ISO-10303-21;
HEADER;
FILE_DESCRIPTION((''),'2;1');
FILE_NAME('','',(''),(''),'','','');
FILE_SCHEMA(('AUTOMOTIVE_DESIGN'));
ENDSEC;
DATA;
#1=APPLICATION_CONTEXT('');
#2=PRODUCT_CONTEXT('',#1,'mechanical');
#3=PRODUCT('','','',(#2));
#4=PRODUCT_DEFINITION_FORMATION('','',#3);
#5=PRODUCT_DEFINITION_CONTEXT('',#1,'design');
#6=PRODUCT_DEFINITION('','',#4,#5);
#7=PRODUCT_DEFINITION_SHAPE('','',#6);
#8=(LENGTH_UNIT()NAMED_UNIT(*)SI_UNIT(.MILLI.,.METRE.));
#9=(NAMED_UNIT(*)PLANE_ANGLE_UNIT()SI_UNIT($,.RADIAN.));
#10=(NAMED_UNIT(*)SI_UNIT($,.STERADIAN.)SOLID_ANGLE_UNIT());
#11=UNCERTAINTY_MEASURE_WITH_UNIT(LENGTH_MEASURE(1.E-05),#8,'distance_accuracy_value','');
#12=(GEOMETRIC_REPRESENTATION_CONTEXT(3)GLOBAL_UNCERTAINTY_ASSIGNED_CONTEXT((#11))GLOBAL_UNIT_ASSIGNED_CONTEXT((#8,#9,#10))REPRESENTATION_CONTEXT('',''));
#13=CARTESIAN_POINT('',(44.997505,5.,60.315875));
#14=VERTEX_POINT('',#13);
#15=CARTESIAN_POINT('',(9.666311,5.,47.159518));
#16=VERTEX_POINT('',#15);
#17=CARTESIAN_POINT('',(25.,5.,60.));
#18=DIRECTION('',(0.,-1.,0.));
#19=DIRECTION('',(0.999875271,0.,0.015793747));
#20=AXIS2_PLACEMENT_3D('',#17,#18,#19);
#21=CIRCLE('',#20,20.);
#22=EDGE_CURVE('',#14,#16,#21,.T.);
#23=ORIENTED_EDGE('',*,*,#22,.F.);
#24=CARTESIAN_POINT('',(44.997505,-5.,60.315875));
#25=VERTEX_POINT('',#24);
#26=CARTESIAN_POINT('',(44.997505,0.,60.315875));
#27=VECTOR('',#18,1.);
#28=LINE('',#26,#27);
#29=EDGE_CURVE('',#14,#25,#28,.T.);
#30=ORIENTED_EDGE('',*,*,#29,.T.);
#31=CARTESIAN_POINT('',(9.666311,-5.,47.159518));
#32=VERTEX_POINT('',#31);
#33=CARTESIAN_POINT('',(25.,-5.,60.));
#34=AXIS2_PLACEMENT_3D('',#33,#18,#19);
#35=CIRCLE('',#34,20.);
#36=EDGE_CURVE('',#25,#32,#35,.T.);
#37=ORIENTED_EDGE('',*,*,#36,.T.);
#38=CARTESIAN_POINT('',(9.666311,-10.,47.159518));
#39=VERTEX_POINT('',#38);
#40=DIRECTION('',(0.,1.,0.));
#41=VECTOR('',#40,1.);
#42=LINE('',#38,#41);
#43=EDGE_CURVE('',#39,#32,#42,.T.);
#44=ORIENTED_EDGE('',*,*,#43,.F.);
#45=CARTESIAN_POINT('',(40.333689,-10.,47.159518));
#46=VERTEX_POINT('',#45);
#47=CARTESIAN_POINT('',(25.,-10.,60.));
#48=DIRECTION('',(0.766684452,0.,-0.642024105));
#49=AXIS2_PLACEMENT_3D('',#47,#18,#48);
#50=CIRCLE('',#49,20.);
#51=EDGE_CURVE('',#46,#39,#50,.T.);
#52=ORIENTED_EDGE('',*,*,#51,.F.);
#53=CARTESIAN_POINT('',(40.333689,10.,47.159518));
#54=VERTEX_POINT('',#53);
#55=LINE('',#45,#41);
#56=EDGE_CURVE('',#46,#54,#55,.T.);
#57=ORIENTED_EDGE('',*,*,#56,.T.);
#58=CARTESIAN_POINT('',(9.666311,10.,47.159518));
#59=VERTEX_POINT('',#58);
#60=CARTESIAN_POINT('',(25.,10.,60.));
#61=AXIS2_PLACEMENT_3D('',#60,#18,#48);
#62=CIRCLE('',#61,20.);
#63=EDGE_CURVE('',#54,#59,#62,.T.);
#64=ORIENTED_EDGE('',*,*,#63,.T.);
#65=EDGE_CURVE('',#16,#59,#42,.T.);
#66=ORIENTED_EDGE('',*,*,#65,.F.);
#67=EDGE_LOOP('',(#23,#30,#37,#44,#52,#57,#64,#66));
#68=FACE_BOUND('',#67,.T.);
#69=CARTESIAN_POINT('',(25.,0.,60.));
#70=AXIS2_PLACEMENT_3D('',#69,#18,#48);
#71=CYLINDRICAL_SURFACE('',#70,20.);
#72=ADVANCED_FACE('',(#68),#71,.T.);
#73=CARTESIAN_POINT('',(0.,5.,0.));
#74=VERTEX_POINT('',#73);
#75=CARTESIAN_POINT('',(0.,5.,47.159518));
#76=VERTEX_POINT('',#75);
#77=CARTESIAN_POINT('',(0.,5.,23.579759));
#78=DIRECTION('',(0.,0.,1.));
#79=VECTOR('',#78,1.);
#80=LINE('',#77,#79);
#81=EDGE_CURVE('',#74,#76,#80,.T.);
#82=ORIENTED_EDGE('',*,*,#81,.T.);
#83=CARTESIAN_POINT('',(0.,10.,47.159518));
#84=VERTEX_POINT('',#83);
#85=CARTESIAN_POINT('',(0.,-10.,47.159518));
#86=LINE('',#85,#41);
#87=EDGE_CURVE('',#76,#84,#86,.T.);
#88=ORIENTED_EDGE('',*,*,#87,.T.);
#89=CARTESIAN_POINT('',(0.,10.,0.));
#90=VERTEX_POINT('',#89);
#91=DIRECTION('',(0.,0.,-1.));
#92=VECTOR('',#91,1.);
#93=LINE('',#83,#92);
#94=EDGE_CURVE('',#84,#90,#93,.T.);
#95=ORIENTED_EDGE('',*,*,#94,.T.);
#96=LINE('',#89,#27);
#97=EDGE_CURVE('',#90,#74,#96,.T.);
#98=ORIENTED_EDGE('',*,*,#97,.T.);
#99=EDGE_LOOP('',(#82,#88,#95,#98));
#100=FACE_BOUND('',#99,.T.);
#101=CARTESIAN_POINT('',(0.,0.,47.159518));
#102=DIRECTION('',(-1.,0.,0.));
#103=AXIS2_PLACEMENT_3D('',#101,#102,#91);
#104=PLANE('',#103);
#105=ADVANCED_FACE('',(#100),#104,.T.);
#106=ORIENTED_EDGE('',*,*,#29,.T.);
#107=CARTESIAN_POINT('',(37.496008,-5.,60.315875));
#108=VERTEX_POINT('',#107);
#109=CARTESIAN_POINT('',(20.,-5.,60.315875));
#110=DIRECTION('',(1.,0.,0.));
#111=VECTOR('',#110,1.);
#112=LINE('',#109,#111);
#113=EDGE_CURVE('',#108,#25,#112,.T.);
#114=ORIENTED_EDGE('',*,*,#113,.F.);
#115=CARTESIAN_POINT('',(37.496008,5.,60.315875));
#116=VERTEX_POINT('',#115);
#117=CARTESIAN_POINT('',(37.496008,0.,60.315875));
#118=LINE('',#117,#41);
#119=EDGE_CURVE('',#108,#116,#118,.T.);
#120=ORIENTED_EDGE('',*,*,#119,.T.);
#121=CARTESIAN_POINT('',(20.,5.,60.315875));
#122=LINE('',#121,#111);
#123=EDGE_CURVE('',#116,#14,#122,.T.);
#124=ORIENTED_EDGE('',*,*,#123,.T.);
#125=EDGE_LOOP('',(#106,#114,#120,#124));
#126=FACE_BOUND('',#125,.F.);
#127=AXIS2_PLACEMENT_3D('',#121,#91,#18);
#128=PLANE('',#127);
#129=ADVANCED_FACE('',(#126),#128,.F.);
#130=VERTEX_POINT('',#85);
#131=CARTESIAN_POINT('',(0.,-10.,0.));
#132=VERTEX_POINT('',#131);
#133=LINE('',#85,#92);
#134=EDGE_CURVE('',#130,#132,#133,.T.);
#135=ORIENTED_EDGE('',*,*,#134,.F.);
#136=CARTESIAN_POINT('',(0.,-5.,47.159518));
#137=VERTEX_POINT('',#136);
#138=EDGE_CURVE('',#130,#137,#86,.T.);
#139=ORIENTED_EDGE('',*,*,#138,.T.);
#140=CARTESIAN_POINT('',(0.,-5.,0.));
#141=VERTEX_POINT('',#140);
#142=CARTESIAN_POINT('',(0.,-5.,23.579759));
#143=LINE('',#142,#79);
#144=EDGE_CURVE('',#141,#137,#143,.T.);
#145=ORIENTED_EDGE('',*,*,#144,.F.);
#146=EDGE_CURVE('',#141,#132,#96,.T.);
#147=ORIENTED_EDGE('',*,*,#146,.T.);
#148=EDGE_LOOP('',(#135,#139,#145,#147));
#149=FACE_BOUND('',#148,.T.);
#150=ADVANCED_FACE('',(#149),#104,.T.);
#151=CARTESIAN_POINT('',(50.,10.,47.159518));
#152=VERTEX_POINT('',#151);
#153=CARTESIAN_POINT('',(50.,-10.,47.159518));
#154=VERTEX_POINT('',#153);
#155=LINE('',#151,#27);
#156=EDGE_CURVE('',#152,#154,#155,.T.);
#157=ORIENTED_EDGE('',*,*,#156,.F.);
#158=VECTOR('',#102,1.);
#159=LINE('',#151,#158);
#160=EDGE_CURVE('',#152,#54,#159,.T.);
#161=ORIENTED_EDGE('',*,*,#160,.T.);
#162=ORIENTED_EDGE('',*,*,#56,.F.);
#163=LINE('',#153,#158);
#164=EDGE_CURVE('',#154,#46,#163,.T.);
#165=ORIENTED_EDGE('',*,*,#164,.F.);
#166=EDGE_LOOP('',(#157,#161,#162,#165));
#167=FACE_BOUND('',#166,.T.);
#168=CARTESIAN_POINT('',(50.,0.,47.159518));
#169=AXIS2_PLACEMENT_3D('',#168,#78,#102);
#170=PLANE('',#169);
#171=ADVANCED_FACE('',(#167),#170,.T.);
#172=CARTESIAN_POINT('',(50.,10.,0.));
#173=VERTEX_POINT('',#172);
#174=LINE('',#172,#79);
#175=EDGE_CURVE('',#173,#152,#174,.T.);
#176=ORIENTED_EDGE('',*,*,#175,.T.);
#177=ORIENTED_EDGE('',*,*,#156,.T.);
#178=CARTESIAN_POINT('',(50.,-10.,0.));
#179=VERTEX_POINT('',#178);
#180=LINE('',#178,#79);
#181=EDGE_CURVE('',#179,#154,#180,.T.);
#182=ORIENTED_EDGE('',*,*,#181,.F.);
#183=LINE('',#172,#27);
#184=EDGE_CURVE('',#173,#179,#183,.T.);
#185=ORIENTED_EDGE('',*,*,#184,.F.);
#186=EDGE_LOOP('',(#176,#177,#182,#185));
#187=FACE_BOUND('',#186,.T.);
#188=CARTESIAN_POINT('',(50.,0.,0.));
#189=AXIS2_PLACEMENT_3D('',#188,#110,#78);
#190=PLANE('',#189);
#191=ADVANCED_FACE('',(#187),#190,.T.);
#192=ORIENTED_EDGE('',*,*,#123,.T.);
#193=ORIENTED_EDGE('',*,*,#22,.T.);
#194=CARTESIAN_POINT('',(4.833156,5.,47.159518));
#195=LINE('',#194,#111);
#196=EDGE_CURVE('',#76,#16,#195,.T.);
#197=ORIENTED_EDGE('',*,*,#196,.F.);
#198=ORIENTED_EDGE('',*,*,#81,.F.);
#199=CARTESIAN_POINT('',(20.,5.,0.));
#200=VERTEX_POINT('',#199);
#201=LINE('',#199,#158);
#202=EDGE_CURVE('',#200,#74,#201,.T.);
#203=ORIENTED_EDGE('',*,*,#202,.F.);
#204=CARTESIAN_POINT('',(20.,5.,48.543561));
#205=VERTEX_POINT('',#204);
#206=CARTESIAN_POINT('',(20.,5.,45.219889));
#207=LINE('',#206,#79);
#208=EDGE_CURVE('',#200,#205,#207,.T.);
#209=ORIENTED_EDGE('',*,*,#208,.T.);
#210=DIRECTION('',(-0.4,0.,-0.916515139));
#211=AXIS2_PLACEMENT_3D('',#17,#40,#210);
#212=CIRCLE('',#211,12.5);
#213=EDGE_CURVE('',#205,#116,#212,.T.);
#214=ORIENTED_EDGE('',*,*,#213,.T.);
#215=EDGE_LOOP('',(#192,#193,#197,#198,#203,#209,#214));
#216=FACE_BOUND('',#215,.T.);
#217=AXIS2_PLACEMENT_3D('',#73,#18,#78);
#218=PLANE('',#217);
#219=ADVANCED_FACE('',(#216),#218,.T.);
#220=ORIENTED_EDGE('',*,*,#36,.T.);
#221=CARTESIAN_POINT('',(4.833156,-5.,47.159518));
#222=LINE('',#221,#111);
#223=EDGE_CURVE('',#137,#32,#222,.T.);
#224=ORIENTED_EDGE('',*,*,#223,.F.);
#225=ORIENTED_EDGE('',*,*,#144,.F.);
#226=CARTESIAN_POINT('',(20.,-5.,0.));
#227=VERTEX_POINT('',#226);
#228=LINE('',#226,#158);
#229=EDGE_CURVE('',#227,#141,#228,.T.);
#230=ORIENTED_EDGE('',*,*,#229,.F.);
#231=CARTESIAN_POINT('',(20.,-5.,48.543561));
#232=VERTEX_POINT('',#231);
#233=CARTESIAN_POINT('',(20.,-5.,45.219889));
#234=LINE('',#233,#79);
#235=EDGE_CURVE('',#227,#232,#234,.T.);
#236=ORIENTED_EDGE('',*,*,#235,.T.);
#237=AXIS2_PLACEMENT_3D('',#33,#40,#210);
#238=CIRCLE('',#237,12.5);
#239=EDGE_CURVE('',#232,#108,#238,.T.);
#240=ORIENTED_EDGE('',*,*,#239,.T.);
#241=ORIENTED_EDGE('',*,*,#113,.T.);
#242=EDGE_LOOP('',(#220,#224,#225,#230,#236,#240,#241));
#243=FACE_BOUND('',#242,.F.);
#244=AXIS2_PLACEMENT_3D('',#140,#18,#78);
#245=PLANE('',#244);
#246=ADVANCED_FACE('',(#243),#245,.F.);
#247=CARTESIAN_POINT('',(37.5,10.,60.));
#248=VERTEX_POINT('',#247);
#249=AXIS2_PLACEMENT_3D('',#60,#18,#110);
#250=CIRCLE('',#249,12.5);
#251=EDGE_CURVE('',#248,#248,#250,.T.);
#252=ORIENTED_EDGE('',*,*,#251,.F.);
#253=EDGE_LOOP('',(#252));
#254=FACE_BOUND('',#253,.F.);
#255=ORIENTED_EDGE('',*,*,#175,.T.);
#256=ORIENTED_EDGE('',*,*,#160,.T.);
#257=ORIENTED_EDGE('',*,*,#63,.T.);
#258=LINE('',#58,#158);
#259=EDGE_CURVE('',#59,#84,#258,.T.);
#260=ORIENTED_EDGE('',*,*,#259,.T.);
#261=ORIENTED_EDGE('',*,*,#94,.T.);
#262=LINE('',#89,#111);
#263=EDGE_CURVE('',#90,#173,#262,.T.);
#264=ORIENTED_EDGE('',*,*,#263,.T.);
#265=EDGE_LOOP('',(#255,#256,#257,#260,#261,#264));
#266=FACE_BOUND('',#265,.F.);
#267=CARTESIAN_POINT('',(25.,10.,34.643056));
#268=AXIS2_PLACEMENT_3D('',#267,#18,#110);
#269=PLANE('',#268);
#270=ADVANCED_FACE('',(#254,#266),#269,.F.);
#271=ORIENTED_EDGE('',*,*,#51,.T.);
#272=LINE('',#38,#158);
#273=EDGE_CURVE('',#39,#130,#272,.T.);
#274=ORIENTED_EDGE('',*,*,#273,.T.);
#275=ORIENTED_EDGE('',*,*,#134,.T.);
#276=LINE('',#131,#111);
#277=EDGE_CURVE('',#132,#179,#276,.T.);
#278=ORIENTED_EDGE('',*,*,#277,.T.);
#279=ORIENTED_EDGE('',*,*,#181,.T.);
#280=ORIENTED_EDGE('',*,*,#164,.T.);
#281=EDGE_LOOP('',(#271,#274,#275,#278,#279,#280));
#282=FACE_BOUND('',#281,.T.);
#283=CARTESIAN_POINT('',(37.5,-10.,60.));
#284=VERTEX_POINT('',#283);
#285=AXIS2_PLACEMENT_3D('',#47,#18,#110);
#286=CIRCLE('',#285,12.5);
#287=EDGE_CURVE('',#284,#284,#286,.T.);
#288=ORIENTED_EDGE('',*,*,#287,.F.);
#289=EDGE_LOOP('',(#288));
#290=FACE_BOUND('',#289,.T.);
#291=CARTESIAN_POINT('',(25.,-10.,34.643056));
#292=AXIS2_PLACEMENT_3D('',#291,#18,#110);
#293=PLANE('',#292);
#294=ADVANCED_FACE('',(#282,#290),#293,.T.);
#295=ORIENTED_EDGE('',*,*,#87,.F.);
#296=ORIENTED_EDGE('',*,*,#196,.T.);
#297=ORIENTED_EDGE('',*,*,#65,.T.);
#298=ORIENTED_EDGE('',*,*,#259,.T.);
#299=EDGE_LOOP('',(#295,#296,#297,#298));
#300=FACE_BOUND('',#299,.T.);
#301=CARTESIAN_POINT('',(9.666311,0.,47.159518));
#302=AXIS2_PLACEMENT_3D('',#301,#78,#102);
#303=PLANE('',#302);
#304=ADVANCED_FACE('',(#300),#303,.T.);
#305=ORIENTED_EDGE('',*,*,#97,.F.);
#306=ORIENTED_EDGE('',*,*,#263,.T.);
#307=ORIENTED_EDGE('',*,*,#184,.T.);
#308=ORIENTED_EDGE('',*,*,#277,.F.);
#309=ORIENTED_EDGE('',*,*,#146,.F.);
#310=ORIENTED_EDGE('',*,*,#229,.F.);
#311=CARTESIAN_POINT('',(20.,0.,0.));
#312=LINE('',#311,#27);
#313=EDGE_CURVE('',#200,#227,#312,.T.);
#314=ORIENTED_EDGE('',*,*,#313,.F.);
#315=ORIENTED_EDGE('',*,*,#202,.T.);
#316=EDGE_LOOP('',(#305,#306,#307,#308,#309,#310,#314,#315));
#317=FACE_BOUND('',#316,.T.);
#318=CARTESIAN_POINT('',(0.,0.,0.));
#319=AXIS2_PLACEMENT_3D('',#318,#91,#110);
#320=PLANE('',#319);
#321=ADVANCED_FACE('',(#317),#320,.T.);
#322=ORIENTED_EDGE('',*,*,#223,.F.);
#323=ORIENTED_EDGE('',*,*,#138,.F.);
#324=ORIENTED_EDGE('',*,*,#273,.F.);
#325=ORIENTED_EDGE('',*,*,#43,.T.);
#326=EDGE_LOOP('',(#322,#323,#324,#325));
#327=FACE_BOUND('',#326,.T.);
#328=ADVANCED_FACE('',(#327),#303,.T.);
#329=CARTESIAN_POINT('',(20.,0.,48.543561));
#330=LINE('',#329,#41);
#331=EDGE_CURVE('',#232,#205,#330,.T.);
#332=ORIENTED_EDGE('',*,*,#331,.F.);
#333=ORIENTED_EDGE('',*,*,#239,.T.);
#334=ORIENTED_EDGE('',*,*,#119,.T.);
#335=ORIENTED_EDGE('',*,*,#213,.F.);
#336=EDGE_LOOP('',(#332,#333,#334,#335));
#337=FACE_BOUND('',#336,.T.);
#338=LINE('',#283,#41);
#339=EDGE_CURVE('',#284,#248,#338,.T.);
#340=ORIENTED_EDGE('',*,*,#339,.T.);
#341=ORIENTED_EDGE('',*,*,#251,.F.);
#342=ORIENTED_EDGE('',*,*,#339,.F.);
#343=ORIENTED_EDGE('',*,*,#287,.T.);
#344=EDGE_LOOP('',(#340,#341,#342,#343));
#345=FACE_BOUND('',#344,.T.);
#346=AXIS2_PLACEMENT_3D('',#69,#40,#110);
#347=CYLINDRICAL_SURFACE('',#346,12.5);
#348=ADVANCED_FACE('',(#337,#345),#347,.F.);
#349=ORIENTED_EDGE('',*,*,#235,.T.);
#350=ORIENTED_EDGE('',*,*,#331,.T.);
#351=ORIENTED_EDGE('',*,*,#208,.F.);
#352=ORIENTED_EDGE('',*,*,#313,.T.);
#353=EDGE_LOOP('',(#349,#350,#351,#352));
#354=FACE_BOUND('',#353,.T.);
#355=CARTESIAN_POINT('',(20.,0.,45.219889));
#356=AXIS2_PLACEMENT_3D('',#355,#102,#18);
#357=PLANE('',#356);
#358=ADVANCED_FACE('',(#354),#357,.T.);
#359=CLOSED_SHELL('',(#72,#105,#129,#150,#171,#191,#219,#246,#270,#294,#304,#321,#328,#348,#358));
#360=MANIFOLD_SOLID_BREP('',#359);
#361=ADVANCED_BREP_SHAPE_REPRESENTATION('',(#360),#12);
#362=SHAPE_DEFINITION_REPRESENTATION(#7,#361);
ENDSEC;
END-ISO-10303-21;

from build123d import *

# Parameters (mm, degrees)
F0_R     = 12.5
F1_DEPTH = 10
F2_W     = 10
F2_H     = 90.439778
F3_DEPTH = 20
F5_DEPTH = 30.001


with BuildPart() as f1:
    # F0 (on Front) → F1 (new body, symmetric)
    with BuildSketch(Plane.XZ):
        with BuildLine():
            Line((0, 47.159518), (0, 0))
            Line((0, 0), (50, 0))
            Line((50, 0), (50, 47.159518))
            Line((50, 47.159518), (40.333689, 47.159518))
            ThreePointArc((40.333689, 47.159518), (25, 80), (9.666311, 47.159518))
            Line((9.666311, 47.159518), (0, 47.159518))
        make_face()
        with Locations((25, 60)):
            Circle(F0_R, mode=Mode.SUBTRACT)
    extrude(amount=F1_DEPTH, both=True)

    # F2 (on face) → F3 (cut, symmetric)
    with BuildSketch(Plane(origin=(0, 0, 0), x_dir=(0, -1, 0), z_dir=(-1, 0, 0))):
        with Locations((0, 45.219889)):
            Rectangle(F2_W, F2_H)
    extrude(amount=F3_DEPTH, both=True, mode=Mode.SUBTRACT)

    # F4 (on face) → F5 (cut, through all)
    with BuildSketch(Plane(origin=(20, 0, 0), x_dir=(0, -1, 0), z_dir=(-1, 0, 0))):
        Polygon((5, 84.635349), (-5, 81.45997), (-5, 71.508407), (-5, 60.315875), (5, 60.315875), (5, 71.456439), align=None)
    extrude(amount=-F5_DEPTH, mode=Mode.SUBTRACT)


solid = f1.part
